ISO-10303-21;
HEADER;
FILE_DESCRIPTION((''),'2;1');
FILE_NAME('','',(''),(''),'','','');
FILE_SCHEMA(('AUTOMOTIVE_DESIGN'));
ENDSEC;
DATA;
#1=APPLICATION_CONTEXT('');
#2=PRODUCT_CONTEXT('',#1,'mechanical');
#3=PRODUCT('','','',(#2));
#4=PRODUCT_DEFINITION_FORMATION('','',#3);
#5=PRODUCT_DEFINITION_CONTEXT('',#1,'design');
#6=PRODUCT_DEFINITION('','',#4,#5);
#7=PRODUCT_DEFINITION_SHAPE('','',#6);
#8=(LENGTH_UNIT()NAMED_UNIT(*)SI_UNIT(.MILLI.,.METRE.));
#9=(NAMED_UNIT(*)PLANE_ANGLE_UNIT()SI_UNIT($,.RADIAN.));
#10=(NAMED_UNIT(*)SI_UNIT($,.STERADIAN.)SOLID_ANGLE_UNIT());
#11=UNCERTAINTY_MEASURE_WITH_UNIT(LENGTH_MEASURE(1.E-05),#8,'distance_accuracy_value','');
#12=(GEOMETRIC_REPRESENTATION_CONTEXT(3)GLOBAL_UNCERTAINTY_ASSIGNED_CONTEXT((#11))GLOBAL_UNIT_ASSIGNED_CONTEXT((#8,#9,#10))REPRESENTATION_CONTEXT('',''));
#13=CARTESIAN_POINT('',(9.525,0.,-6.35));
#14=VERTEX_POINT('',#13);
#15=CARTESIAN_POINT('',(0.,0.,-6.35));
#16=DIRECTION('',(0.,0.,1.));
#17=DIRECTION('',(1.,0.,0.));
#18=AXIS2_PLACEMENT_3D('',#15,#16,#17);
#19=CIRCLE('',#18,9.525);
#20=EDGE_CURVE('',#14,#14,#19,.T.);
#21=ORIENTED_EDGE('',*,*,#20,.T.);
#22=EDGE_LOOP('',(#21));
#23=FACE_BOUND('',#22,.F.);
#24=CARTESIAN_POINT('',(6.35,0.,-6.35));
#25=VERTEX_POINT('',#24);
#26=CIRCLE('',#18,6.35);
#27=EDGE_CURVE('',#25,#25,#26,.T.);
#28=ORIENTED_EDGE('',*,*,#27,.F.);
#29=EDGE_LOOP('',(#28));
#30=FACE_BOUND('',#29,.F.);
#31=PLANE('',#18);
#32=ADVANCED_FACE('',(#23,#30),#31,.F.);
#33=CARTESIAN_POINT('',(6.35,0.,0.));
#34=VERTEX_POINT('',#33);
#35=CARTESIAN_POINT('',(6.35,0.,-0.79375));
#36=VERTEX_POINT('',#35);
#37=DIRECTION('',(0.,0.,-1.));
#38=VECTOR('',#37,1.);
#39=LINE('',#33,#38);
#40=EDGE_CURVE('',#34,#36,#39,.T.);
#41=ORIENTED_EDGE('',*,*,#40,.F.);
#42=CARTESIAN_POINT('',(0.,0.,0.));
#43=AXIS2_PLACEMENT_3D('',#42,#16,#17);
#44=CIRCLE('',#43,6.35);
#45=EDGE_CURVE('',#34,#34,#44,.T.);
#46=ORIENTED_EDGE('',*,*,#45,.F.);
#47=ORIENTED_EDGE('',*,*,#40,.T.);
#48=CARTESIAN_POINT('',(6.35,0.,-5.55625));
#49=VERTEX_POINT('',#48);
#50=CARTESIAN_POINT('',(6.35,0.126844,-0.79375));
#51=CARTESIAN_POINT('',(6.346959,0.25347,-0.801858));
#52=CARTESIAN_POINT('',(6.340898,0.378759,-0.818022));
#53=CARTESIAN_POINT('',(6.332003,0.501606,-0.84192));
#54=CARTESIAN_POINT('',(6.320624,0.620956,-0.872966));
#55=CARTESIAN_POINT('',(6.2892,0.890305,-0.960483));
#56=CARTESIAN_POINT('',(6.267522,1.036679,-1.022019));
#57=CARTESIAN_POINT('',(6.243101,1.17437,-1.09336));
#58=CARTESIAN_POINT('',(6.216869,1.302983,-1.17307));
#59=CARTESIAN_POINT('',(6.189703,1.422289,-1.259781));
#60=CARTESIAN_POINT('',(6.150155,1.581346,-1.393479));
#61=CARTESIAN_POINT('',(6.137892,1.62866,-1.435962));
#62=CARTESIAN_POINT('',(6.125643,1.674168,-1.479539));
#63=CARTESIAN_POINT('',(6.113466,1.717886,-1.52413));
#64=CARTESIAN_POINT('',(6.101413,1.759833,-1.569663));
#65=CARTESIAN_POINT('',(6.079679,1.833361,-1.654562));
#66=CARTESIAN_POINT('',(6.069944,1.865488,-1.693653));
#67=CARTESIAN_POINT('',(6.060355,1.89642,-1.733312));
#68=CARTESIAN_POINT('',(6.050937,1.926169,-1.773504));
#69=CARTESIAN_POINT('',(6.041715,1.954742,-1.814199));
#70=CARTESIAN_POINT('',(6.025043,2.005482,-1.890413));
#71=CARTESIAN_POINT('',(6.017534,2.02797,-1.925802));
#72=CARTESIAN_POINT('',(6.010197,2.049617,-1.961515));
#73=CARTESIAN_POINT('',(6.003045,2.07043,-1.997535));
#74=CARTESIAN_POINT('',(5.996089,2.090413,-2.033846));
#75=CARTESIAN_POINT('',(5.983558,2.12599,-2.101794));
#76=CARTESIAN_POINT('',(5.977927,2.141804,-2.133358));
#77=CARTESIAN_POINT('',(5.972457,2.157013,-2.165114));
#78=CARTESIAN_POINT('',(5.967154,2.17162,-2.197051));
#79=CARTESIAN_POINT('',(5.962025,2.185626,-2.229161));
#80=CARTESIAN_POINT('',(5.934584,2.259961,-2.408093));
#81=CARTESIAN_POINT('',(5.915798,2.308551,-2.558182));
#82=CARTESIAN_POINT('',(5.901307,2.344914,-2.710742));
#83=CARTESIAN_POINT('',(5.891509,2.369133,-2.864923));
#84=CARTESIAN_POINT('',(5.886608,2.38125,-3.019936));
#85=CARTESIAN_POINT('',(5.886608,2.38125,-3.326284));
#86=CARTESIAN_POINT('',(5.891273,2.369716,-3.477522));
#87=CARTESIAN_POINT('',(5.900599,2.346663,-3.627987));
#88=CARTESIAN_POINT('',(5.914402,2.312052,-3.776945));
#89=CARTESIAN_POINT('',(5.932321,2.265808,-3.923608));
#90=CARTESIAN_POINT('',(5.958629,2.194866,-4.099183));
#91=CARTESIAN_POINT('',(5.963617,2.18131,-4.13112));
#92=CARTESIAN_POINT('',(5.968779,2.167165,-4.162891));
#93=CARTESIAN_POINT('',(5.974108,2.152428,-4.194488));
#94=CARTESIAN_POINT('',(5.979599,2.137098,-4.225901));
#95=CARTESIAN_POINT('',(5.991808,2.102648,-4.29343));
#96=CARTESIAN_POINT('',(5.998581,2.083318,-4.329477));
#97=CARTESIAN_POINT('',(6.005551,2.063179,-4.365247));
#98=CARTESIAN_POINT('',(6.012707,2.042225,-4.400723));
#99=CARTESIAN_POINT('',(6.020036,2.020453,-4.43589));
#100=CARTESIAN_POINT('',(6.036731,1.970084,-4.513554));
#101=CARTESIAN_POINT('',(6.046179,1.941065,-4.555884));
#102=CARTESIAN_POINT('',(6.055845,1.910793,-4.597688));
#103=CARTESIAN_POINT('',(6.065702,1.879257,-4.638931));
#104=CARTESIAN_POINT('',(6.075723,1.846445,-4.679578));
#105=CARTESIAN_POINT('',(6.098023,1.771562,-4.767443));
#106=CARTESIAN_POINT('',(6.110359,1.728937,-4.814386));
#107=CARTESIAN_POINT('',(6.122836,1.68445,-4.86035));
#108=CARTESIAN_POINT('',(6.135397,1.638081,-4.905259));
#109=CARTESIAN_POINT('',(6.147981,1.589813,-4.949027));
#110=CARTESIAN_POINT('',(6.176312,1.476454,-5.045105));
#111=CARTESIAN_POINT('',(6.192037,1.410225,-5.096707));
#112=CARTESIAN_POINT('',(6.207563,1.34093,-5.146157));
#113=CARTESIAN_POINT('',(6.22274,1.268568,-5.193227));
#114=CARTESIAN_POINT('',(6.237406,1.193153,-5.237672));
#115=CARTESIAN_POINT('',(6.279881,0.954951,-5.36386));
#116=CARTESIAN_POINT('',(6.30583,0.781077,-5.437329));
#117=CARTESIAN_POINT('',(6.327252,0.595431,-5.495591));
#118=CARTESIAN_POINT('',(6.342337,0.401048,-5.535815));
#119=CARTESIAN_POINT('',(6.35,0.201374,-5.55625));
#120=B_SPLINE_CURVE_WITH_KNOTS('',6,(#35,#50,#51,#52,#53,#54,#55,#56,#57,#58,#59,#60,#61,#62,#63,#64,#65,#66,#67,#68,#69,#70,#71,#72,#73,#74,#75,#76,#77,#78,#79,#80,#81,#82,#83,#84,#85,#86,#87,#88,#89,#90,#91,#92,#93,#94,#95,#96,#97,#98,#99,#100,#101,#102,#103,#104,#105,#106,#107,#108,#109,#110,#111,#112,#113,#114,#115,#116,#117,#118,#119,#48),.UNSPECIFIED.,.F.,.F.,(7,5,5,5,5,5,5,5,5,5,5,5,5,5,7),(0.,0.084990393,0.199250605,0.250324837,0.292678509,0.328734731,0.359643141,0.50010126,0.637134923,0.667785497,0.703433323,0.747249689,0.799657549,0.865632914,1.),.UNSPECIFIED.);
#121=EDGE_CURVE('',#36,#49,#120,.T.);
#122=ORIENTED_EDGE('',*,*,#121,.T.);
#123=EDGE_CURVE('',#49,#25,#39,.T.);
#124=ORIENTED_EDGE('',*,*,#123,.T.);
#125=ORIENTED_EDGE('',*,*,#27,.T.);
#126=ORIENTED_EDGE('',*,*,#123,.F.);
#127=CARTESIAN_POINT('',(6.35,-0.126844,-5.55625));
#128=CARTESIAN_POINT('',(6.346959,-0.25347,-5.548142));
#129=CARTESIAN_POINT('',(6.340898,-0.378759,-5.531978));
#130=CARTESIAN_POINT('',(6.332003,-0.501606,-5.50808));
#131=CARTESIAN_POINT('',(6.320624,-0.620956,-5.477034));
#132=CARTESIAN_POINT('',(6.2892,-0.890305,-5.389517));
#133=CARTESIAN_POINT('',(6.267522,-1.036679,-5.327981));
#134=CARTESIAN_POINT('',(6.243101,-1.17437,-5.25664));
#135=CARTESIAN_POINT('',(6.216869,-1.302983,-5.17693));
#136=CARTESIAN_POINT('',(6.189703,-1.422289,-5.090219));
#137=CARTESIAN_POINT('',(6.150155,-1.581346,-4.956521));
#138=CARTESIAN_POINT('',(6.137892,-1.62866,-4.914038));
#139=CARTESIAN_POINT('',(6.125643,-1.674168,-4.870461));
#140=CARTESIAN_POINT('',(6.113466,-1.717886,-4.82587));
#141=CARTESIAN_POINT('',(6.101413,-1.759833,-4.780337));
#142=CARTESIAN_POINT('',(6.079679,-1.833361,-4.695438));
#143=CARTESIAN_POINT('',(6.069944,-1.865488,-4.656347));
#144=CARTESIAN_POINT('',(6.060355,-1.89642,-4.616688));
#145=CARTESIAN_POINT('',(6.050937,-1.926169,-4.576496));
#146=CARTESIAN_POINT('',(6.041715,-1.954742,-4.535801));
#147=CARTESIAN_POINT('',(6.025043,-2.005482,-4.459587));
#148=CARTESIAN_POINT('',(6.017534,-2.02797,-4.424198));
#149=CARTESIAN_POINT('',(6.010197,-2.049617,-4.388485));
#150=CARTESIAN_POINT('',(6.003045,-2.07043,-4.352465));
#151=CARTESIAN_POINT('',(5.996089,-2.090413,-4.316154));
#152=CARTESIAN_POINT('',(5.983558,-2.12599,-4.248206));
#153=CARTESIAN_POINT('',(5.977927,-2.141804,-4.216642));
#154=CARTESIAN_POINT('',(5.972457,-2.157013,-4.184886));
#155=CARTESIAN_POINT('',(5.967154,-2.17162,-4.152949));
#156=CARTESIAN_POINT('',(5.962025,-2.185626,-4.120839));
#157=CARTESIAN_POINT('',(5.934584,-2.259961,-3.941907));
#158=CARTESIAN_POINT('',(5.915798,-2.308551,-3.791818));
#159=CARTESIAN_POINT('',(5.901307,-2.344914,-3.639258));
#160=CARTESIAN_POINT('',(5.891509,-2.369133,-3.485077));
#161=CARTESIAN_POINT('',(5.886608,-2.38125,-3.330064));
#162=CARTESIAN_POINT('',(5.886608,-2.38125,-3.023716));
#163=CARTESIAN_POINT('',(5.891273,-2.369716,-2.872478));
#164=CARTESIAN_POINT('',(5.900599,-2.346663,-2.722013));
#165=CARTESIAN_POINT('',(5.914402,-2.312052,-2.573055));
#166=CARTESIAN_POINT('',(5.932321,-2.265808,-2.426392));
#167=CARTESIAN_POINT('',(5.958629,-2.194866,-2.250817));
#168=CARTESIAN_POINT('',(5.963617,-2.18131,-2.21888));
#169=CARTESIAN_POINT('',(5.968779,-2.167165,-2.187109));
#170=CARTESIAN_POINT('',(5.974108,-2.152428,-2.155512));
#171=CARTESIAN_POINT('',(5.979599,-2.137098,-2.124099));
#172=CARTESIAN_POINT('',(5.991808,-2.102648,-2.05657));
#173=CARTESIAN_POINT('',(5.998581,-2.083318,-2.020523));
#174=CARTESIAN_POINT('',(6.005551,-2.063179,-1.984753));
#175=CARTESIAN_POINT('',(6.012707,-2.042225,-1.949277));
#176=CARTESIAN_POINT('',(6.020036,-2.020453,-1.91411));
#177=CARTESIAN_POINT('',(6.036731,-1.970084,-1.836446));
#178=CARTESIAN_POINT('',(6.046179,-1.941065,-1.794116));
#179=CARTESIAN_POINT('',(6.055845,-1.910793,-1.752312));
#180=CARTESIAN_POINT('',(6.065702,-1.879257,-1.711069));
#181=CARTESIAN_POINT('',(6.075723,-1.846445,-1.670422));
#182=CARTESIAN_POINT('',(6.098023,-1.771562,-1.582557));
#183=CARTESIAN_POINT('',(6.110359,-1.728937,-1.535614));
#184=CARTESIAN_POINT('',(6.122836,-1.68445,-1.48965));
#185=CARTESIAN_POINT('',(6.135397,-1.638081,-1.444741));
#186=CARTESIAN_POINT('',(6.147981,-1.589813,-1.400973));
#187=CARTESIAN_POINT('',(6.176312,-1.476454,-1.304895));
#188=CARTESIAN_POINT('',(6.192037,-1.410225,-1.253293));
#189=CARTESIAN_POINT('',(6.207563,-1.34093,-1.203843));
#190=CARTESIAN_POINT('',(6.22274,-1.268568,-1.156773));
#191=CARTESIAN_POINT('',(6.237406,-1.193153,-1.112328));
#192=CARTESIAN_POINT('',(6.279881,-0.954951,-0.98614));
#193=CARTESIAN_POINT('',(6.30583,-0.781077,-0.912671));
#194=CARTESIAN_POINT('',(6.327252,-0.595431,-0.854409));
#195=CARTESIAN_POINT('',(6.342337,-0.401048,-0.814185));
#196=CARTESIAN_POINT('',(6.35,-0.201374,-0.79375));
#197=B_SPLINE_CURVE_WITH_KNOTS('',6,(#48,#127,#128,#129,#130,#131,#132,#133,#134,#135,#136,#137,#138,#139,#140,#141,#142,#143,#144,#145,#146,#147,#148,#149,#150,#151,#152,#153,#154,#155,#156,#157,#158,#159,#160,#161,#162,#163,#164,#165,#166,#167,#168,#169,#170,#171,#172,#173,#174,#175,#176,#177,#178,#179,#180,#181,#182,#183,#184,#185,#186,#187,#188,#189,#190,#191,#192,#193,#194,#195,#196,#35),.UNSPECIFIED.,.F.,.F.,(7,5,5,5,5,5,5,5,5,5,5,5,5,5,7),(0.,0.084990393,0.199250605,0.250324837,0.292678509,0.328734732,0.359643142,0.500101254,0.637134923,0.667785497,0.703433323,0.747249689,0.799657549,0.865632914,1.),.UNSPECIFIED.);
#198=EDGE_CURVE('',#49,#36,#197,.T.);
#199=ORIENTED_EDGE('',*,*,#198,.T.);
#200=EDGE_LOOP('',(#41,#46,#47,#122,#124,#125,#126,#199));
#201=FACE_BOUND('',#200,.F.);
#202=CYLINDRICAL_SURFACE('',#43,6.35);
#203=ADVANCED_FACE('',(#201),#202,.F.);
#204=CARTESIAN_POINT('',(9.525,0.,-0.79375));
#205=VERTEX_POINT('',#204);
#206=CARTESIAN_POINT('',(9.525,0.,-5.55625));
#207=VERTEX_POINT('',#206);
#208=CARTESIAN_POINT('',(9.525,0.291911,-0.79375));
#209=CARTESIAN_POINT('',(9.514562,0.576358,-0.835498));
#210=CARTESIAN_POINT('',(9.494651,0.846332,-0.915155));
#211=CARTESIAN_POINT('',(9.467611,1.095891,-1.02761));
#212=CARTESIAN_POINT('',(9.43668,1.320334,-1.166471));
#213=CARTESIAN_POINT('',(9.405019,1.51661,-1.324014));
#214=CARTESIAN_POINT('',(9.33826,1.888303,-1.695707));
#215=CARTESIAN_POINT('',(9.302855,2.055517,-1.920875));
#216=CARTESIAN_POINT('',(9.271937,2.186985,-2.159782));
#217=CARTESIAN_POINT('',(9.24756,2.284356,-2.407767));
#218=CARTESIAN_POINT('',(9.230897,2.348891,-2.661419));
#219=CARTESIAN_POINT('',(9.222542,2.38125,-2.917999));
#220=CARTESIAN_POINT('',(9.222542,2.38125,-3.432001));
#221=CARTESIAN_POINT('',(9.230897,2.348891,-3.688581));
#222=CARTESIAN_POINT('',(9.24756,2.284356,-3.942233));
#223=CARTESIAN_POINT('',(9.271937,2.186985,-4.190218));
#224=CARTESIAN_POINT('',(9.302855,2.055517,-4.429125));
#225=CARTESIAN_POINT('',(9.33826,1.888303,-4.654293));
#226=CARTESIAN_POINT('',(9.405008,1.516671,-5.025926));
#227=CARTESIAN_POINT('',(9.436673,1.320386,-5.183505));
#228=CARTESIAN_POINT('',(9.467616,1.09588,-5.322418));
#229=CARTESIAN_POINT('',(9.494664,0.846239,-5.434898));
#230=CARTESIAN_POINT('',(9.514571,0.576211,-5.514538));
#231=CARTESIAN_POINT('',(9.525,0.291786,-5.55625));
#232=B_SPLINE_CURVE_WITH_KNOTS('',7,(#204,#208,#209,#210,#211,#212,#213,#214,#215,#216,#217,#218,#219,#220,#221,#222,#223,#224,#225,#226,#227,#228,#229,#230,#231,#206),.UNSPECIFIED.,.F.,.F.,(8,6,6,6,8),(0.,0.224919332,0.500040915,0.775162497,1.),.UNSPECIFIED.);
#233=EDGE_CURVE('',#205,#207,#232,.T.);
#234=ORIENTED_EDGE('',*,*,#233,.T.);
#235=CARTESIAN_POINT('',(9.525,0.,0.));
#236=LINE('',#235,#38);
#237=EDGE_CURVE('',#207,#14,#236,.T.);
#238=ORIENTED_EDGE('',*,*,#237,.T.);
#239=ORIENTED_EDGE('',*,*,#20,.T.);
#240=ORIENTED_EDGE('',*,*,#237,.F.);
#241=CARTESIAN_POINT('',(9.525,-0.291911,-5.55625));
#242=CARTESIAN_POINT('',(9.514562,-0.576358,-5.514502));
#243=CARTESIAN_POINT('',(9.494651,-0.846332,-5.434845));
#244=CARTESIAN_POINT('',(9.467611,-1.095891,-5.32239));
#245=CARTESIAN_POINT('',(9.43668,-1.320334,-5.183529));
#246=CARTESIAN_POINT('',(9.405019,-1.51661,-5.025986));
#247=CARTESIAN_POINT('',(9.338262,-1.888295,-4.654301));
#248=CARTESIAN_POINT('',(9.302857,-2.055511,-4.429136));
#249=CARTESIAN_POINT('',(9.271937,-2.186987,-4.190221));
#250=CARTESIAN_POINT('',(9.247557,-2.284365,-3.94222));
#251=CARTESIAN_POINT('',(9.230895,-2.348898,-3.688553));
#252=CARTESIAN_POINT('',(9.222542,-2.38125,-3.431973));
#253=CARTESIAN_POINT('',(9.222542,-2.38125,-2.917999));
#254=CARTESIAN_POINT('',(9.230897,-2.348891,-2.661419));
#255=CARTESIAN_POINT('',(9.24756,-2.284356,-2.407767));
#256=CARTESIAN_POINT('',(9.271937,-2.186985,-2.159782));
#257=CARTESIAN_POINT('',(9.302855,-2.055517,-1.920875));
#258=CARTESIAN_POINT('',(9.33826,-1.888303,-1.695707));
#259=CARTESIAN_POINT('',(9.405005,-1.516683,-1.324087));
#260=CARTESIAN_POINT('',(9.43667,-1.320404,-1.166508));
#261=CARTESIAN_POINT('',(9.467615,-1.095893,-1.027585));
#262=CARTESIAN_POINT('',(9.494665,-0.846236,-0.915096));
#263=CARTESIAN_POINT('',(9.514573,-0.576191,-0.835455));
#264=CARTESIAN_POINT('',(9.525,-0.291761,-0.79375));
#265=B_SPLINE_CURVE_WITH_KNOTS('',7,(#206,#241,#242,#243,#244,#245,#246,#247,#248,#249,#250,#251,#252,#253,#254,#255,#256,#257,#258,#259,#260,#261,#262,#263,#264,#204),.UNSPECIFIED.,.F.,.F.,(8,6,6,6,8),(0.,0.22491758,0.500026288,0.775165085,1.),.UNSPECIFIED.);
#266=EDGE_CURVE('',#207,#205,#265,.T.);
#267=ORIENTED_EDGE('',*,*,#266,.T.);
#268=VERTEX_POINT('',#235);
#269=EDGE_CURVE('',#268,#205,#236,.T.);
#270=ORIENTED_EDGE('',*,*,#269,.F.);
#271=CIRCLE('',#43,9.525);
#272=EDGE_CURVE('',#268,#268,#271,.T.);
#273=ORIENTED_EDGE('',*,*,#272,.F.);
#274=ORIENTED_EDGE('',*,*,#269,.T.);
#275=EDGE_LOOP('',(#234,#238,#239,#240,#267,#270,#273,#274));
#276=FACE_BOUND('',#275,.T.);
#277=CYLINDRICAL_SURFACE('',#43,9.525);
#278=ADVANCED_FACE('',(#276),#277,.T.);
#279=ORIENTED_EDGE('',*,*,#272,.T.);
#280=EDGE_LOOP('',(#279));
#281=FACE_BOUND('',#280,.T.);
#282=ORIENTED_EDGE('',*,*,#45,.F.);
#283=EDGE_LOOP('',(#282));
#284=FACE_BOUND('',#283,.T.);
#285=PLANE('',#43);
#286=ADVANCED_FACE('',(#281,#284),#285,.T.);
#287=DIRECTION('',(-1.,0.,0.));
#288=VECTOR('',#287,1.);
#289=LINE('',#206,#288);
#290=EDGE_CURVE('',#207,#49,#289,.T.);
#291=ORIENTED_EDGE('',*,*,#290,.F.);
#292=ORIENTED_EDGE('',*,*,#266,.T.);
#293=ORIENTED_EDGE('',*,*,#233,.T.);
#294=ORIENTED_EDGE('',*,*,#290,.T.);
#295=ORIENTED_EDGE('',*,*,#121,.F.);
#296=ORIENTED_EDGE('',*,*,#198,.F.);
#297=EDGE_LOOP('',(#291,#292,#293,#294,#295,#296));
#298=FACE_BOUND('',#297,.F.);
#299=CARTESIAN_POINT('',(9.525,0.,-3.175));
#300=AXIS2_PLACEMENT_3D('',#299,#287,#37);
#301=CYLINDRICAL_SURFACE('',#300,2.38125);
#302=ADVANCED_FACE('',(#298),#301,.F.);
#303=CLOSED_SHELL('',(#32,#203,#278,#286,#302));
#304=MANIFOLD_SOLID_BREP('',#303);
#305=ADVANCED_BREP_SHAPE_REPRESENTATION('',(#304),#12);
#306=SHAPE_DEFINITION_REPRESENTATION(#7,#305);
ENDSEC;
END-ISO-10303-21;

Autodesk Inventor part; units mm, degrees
ref_plane "YZ Plane" through (0, 0, 0) normal (1, 0, 0) x (0, 1, 0)
ref_plane "XZ Plane" through (0, 0, 0) normal (0, 1, 0) x (-1, 0, 0)
sketch "Sketch1" plane through (0, 0, 0) normal (0, 0, 1) x (1, 0, 0)
  circle A0 centre (0, 0) radius 6.35
  circle A1 centre (0, 0) radius 9.525
  point P0 (9.525, 0)
  dimension "d1" = 19.05
  dimension "d0" = 12.7
extrude "Extrusion1" add sketch "Sketch1" against normal blind 6.35
ref_plane "Work Plane1" through (9.525, 0, 0) normal (1, 0, 0) x (0, 1, 0)
sketch "Sketch2" plane through (9.525, 0, 0) normal (1, 0, 0) x (0, 1, 0)
  line L0 (-9.525, 0) -> (9.525, 0) projected
  point P0 (0, 0)
  point P1 (0, -3.175)
  dimension "d4" = 3.175
hole "Hole1" at (9.525, 0, -3.175) direction (-1, 0, 0) diameter 4.7625 depth 6.35 tip angle 118
thread "Thread1" size "10-24 UNC" class "2B" standard "ANSI Unified Screw Threads" full length
properties part number ".5_inch_axle_bushing"
